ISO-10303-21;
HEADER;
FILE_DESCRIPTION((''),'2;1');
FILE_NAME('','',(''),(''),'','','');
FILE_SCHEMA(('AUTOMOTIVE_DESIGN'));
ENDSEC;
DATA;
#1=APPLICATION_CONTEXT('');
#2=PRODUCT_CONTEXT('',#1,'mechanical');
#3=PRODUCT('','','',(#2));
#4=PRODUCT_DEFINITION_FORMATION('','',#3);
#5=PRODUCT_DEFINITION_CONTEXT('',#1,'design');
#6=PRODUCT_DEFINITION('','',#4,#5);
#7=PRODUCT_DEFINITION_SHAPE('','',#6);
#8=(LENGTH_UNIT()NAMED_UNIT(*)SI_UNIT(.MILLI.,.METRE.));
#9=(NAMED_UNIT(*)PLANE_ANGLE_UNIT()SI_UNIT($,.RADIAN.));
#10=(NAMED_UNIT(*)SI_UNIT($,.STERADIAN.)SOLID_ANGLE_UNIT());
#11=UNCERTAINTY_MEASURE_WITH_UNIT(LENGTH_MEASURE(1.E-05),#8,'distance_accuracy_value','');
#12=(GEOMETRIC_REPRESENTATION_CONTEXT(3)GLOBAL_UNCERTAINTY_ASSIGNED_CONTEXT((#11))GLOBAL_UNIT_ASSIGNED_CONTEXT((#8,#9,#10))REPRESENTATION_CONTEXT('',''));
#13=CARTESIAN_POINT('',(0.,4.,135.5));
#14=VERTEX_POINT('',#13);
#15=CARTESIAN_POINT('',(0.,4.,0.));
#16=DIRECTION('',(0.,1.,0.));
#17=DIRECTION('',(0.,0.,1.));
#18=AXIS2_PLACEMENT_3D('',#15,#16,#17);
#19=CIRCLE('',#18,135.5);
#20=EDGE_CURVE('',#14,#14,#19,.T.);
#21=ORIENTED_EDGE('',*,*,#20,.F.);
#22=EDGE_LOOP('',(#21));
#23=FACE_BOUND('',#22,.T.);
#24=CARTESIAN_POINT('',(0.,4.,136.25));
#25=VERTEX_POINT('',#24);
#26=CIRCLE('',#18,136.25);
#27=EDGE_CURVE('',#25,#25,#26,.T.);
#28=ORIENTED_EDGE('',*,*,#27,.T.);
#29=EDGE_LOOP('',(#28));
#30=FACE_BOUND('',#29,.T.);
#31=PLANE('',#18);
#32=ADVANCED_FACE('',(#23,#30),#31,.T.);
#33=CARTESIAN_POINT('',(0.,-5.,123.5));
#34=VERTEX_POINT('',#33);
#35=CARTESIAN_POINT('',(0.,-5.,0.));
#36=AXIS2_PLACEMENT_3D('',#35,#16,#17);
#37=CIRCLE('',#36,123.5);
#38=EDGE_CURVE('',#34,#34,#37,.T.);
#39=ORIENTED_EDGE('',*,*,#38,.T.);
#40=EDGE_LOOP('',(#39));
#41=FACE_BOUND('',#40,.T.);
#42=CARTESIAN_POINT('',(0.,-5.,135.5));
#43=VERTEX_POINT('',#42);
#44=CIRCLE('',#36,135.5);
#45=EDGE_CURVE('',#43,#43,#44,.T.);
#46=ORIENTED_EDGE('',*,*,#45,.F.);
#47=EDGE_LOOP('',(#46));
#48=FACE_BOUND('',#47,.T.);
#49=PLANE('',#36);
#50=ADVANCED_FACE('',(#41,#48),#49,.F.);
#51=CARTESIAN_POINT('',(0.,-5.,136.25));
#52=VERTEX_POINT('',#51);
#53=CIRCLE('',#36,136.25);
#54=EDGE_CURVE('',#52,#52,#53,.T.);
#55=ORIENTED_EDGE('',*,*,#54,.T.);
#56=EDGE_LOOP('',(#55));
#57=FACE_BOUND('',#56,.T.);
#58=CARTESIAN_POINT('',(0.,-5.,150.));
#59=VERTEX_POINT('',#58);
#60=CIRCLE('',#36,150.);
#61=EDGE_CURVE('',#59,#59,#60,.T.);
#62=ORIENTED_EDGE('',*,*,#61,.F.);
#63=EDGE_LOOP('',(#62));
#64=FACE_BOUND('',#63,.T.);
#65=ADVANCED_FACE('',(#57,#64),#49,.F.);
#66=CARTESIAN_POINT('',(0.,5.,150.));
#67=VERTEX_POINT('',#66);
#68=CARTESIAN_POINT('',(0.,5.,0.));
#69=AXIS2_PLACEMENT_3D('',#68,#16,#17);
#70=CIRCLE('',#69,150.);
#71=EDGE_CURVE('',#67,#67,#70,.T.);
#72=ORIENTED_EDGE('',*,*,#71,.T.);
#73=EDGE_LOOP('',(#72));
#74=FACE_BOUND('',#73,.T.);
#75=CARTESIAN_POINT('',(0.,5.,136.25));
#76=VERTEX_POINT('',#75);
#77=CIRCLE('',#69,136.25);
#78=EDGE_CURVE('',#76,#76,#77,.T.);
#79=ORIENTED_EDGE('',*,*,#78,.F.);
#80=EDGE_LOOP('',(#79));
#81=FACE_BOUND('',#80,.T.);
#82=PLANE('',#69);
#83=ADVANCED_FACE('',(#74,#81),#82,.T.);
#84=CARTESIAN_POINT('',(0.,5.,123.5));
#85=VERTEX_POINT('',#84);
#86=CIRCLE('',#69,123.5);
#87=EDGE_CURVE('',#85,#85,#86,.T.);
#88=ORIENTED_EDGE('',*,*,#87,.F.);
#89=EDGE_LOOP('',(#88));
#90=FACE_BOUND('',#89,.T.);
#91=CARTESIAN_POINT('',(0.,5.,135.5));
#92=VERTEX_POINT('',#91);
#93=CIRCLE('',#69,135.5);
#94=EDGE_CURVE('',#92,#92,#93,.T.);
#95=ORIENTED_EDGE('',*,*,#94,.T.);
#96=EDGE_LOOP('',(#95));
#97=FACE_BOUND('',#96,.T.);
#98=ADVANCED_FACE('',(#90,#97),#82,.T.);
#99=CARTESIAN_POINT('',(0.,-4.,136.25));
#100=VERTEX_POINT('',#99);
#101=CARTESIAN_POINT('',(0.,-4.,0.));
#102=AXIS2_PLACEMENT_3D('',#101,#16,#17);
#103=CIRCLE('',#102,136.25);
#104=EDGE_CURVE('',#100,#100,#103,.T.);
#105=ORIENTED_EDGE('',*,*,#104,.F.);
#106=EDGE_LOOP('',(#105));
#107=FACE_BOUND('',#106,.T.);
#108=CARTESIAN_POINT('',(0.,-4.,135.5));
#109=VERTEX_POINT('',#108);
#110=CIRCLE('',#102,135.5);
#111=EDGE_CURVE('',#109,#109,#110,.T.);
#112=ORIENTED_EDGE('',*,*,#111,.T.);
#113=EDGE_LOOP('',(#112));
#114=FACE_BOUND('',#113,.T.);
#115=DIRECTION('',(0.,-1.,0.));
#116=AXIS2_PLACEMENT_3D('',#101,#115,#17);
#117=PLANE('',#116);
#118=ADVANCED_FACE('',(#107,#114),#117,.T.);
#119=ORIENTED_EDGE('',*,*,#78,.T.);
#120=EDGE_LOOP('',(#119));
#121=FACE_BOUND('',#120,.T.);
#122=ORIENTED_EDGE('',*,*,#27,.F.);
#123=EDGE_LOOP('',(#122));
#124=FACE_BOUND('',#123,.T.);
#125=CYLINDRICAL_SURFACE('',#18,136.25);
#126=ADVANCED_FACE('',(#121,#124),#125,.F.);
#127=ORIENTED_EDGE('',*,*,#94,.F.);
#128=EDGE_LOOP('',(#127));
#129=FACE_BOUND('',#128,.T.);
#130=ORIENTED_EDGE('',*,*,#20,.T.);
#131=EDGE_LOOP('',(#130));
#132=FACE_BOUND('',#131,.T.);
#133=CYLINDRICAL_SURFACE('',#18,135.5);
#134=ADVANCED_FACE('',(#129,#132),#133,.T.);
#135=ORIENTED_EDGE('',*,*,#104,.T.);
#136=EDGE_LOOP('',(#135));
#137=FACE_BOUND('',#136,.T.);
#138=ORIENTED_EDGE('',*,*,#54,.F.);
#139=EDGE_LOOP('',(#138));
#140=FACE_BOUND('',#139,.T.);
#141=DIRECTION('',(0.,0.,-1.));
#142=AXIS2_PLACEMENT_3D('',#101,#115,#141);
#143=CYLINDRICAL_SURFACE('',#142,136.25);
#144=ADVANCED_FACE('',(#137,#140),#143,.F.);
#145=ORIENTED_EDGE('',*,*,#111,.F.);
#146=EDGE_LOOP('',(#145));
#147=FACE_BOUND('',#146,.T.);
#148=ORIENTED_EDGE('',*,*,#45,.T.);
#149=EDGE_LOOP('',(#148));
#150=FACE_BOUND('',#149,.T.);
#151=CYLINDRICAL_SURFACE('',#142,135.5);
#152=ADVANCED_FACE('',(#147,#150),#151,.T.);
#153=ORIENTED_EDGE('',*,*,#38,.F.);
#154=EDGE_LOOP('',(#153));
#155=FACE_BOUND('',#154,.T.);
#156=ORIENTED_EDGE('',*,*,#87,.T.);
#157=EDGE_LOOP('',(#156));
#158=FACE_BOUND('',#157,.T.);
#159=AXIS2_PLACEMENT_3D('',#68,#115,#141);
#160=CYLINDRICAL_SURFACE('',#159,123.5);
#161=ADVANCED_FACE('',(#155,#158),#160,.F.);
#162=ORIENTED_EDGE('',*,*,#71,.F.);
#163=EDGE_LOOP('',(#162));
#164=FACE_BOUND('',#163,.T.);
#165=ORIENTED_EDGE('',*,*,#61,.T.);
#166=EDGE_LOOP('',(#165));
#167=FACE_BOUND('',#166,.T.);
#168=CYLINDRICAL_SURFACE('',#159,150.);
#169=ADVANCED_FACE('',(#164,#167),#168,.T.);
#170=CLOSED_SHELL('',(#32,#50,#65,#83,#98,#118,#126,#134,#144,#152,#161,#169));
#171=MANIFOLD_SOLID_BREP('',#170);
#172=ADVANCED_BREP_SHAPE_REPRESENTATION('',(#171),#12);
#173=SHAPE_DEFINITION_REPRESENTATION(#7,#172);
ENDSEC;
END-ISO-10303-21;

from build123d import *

# Parameters (mm, degrees)
SKETCH1_R           = 150
SKETCH1_R_2         = 123.5
BOSS_EXTRUDE1_DEPTH = 5
SKETCH2_R           = 136.25
SKETCH2_R_2         = 135.5
CUT_EXTRUDE1_DEPTH  = 1


with BuildPart() as part:
    # Sketch1 → Boss-Extrude1 (new body, symmetric)
    with BuildSketch(Plane(origin=(0, 0, 0), x_dir=(1, 0, 0), z_dir=(0, 1, 0))):
        Circle(SKETCH1_R)
        Circle(SKETCH1_R_2, mode=Mode.SUBTRACT)
    extrude(amount=BOSS_EXTRUDE1_DEPTH, both=True)

    # Sketch2 → Cut-Extrude1 (cut)
    with BuildSketch(Plane(origin=(0, 5, 0), x_dir=(1, 0, 0), z_dir=(0, 1, 0))):
        Circle(SKETCH2_R)
        Circle(SKETCH2_R_2, mode=Mode.SUBTRACT)
    cut_extrude1 = extrude(amount=-CUT_EXTRUDE1_DEPTH, mode=Mode.SUBTRACT)

    # Mirror1: Cut-Extrude1 across plane
    add(cut_extrude1.mirror(Plane.ZX), mode=Mode.SUBTRACT)


solid = part.part
